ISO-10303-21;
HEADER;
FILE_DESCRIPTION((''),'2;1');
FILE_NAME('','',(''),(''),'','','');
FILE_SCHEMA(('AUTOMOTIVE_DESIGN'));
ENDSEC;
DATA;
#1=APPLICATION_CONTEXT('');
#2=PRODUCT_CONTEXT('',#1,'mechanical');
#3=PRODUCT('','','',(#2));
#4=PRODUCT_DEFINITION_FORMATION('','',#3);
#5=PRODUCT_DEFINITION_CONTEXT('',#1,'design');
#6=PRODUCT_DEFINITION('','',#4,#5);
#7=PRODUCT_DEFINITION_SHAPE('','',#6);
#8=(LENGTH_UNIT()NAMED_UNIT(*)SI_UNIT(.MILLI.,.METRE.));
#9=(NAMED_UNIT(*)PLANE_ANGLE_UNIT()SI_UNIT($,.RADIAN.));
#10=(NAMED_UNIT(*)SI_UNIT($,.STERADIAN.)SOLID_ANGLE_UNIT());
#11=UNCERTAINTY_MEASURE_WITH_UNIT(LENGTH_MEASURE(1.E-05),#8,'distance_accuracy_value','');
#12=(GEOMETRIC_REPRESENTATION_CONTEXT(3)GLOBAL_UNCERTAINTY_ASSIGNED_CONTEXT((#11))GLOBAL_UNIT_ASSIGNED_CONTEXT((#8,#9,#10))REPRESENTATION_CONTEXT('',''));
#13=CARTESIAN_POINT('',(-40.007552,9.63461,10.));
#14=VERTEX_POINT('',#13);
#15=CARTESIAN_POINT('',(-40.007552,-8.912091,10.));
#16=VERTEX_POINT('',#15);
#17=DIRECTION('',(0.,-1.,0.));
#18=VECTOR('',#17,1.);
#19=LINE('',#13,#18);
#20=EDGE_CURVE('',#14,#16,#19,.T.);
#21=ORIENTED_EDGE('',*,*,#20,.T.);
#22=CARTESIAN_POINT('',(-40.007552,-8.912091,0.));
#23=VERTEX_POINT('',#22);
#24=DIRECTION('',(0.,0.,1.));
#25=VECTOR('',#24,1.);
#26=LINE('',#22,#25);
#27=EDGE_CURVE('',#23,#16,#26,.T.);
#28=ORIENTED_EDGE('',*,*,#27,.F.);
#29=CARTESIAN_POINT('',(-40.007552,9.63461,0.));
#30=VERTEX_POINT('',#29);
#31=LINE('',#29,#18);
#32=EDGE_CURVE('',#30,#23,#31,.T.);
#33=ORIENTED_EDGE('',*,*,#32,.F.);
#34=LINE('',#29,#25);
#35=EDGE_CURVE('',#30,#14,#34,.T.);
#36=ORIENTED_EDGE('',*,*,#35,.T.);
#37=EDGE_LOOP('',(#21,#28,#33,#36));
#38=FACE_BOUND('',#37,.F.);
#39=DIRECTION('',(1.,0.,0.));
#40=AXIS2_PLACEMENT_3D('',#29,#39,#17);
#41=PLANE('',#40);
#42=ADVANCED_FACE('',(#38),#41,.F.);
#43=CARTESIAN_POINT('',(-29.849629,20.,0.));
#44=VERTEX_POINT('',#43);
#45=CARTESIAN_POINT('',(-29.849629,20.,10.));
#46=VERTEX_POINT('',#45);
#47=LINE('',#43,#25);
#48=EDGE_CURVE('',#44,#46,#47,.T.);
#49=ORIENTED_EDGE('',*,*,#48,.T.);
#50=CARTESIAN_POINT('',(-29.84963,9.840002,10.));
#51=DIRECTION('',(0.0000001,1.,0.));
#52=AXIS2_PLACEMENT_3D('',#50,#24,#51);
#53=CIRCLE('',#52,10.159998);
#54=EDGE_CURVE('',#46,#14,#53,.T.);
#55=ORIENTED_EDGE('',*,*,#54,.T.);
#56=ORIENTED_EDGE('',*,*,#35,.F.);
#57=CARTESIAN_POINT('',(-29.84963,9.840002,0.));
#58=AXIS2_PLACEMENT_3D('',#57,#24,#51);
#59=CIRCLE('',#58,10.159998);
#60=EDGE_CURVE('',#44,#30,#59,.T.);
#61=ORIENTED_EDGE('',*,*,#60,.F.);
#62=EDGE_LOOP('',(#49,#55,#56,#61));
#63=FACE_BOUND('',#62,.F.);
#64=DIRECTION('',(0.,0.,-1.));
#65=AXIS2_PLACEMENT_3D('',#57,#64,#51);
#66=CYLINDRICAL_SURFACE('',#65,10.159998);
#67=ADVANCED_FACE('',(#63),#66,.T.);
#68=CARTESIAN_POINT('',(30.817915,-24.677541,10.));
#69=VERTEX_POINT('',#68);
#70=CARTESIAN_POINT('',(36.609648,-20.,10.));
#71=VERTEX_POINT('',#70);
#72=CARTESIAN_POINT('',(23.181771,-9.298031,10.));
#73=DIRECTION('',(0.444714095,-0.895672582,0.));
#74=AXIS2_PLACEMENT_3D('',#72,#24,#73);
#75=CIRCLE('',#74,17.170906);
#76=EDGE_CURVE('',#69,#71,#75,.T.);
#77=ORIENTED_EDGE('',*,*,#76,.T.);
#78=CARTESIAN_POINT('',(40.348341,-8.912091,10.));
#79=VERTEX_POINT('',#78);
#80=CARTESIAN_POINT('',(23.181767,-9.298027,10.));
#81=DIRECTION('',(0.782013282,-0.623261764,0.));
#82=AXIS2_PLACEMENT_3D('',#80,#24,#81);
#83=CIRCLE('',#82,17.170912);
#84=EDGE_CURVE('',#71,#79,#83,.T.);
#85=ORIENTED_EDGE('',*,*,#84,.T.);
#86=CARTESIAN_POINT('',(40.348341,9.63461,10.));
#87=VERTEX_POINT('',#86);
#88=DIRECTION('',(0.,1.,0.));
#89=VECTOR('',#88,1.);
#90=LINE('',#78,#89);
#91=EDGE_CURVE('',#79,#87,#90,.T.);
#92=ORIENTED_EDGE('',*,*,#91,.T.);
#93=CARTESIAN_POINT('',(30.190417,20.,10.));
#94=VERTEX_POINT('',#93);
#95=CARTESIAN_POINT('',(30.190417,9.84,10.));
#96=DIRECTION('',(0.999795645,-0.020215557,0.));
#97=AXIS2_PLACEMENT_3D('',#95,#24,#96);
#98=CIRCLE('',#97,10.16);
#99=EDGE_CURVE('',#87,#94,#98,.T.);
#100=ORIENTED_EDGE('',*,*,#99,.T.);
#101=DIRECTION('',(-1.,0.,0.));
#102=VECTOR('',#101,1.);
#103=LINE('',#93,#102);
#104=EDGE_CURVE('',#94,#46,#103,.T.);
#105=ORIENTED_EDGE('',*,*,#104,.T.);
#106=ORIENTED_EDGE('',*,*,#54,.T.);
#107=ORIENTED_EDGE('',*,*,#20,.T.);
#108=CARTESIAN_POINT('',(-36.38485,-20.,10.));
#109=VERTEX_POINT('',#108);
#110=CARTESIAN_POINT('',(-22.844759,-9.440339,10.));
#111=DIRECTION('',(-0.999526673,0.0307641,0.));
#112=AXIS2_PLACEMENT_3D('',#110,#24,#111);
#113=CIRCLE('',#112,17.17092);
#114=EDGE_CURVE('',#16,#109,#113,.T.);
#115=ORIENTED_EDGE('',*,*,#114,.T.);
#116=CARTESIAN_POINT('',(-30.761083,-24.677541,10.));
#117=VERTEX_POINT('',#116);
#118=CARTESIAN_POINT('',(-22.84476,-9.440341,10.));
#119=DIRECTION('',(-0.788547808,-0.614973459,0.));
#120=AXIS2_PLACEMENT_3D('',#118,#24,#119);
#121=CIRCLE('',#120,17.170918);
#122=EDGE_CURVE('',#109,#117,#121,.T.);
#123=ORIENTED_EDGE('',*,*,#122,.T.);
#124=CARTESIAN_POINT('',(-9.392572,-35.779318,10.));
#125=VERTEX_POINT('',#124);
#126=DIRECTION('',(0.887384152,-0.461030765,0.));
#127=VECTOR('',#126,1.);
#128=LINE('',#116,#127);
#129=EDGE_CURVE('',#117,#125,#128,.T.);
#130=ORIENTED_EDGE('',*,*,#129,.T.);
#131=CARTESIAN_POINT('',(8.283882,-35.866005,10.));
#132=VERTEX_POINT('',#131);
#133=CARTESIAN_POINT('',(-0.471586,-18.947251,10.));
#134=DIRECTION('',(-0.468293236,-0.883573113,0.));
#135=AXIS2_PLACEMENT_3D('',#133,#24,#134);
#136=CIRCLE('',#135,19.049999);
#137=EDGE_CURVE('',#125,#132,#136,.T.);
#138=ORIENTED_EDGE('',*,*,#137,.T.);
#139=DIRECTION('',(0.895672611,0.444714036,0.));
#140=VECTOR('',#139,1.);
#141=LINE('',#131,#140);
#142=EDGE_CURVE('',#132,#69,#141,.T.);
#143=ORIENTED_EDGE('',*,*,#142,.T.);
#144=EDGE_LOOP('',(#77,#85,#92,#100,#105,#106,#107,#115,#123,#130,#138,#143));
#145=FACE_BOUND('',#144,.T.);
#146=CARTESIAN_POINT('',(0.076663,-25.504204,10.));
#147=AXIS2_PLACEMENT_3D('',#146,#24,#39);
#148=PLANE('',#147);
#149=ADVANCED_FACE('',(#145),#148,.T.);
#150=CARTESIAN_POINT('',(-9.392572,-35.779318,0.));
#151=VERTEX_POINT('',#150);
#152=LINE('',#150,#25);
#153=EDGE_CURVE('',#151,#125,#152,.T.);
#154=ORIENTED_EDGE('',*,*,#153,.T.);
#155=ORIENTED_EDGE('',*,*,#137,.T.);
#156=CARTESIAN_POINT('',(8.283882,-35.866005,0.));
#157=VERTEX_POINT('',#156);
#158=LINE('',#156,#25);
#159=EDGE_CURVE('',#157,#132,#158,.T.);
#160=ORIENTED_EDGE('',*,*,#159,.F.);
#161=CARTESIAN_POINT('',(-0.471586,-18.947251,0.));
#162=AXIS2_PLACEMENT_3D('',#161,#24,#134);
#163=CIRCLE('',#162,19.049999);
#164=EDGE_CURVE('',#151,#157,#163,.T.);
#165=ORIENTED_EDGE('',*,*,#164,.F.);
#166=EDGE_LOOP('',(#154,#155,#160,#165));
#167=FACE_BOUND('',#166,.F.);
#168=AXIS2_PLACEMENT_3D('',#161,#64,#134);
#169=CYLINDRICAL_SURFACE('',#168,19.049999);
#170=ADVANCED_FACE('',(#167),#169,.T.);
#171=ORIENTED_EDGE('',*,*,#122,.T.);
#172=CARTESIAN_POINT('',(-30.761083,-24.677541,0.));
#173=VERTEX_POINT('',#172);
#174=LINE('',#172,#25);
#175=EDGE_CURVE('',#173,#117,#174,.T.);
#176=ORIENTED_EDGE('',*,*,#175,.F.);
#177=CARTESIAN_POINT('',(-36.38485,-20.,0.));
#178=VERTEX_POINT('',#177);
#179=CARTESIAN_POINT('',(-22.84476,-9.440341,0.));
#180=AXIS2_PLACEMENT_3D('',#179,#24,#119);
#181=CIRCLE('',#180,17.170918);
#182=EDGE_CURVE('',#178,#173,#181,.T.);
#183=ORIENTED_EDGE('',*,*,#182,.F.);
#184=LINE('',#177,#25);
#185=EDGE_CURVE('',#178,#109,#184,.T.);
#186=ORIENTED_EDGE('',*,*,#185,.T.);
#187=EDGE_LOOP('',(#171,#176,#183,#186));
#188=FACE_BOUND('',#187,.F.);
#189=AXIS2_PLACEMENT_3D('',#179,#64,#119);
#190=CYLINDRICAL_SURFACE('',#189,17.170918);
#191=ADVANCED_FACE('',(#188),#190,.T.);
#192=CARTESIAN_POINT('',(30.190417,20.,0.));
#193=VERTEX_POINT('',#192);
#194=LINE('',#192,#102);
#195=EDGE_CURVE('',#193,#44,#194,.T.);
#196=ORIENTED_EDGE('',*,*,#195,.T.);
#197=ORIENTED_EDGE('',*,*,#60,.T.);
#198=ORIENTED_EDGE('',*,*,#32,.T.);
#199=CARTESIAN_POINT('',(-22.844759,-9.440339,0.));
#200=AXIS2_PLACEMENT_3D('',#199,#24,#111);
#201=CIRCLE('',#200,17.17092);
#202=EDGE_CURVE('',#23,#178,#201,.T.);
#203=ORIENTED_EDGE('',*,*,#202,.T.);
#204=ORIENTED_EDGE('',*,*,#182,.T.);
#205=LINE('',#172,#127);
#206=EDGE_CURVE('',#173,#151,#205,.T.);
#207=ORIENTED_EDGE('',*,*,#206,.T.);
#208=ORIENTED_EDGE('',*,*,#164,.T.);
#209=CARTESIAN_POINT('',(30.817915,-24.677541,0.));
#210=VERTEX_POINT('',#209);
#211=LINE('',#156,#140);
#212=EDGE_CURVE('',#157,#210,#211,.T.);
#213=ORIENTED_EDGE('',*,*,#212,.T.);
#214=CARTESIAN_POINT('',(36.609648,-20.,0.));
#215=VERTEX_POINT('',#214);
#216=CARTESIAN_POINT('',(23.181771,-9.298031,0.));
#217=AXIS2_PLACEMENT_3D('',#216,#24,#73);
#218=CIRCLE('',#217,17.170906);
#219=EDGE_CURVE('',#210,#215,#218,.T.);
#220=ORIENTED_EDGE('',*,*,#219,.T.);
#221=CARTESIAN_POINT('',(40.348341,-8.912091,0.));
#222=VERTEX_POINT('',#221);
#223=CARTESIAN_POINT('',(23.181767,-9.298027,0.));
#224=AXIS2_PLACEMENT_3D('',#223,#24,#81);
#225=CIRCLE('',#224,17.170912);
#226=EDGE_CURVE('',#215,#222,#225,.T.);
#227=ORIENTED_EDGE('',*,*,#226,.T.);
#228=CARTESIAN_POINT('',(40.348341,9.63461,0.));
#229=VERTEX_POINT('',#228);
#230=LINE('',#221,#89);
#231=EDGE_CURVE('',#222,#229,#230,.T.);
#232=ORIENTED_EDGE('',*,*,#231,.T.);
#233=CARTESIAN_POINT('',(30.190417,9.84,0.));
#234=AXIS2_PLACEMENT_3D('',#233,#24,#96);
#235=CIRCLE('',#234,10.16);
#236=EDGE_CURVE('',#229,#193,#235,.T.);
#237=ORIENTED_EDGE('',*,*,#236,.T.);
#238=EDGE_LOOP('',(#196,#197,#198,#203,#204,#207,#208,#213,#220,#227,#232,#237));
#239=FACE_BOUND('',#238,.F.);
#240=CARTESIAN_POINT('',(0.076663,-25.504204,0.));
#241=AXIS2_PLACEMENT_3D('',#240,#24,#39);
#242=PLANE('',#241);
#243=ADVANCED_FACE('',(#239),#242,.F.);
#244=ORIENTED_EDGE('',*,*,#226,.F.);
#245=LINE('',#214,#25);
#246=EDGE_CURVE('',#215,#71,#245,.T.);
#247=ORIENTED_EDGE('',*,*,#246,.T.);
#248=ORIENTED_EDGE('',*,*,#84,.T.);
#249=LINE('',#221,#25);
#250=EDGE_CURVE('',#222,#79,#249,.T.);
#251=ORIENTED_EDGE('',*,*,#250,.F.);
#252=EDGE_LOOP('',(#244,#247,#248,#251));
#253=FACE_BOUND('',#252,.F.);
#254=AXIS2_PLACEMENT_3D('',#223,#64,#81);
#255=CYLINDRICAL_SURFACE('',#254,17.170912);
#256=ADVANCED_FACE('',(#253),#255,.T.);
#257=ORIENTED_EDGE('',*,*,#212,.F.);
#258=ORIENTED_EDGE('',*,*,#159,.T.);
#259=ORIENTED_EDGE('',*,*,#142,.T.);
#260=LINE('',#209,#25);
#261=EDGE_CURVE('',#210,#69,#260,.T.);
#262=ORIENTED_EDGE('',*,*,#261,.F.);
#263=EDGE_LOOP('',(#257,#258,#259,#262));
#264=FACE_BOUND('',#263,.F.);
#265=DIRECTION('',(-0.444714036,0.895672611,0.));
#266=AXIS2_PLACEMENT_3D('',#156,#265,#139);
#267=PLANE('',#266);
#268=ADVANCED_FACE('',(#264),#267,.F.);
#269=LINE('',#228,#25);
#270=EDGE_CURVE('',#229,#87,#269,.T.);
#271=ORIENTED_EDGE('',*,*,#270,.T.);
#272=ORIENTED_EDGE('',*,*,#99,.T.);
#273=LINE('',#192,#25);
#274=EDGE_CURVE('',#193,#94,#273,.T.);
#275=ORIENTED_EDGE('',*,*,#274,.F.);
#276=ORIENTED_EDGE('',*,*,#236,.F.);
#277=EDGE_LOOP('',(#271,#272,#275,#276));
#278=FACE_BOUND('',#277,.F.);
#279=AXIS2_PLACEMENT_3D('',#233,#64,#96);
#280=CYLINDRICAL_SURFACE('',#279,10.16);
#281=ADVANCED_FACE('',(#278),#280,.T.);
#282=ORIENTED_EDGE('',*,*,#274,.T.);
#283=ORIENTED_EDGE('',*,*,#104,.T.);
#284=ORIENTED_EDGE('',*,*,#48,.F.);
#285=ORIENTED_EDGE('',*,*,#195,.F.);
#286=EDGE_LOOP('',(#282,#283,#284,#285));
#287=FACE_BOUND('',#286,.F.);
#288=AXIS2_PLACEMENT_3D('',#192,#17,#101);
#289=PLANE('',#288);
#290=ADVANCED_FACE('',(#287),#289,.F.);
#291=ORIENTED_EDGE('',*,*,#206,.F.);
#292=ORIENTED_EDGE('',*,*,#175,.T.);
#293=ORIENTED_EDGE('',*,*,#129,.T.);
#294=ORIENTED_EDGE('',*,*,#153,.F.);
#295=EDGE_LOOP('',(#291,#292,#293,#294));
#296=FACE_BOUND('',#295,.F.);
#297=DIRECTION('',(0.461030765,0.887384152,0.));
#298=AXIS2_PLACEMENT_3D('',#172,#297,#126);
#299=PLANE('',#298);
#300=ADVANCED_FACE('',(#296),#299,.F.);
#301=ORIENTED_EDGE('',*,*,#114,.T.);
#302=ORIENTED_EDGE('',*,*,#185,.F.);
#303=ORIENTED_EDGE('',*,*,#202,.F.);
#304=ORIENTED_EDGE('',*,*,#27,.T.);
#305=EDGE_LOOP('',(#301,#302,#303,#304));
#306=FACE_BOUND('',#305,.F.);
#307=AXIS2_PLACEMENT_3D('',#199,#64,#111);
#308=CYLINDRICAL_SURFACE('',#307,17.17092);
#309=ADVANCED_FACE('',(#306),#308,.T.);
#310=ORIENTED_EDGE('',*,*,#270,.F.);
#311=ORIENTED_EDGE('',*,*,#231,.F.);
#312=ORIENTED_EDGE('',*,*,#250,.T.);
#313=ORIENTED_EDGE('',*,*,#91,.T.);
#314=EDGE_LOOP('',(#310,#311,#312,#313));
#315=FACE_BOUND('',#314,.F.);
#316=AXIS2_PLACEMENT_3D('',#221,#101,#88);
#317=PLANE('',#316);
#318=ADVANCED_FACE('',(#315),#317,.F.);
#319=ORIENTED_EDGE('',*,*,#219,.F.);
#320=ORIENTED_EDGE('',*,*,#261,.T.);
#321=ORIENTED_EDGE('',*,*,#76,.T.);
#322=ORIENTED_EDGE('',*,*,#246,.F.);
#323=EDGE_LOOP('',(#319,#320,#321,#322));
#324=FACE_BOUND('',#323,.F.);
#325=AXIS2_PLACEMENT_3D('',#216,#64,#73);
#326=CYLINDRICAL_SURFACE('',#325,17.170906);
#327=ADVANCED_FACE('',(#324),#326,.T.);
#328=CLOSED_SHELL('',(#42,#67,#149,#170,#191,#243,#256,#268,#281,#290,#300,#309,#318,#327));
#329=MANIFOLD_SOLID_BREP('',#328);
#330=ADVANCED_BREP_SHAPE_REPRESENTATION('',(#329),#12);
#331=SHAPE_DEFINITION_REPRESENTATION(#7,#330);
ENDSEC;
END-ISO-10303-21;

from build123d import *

# Parameters (mm, degrees)
F1_DEPTH = 10


with BuildPart() as f1:
    # F0 (on Top) → F1 (new body)
    with BuildSketch(Plane.XY):
        with BuildLine():
            ThreePointArc((30.817915, -24.677541), (33.970334, -22.656434), (36.609648, -20))
            Line((36.609648, -20), (-36.38485, -20))
            ThreePointArc((-36.38485, -20), (-33.824936, -22.641711), (-30.761083, -24.677541))
            Line((-30.761083, -24.677541), (-9.392572, -35.779318))
            ThreePointArc((-9.392572, -35.779318), (-0.565008, -37.997021), (8.283882, -35.866005))
            Line((8.283882, -35.866005), (30.817915, -24.677541))
        make_face()
        with BuildLine():
            Line((-36.38485, -20), (36.609648, -20))
            ThreePointArc((36.609648, -20), (39.452618, -14.784339), (40.348341, -8.912091))
            Line((40.348341, -8.912091), (40.348341, 9.63461))
            ThreePointArc((40.348341, 9.63461), (37.446875, 16.951218), (30.190417, 20))
            Line((30.190417, 20), (-29.849629, 20))
            ThreePointArc((-29.849629, 20), (-37.106087, 16.951218), (-40.007552, 9.63461))
            Line((-40.007552, 9.63461), (-40.007552, -8.912091))
            ThreePointArc((-40.007552, -8.912091), (-39.166591, -14.773097), (-36.38485, -20))
        make_face()
    extrude(amount=F1_DEPTH)


solid = f1.part
